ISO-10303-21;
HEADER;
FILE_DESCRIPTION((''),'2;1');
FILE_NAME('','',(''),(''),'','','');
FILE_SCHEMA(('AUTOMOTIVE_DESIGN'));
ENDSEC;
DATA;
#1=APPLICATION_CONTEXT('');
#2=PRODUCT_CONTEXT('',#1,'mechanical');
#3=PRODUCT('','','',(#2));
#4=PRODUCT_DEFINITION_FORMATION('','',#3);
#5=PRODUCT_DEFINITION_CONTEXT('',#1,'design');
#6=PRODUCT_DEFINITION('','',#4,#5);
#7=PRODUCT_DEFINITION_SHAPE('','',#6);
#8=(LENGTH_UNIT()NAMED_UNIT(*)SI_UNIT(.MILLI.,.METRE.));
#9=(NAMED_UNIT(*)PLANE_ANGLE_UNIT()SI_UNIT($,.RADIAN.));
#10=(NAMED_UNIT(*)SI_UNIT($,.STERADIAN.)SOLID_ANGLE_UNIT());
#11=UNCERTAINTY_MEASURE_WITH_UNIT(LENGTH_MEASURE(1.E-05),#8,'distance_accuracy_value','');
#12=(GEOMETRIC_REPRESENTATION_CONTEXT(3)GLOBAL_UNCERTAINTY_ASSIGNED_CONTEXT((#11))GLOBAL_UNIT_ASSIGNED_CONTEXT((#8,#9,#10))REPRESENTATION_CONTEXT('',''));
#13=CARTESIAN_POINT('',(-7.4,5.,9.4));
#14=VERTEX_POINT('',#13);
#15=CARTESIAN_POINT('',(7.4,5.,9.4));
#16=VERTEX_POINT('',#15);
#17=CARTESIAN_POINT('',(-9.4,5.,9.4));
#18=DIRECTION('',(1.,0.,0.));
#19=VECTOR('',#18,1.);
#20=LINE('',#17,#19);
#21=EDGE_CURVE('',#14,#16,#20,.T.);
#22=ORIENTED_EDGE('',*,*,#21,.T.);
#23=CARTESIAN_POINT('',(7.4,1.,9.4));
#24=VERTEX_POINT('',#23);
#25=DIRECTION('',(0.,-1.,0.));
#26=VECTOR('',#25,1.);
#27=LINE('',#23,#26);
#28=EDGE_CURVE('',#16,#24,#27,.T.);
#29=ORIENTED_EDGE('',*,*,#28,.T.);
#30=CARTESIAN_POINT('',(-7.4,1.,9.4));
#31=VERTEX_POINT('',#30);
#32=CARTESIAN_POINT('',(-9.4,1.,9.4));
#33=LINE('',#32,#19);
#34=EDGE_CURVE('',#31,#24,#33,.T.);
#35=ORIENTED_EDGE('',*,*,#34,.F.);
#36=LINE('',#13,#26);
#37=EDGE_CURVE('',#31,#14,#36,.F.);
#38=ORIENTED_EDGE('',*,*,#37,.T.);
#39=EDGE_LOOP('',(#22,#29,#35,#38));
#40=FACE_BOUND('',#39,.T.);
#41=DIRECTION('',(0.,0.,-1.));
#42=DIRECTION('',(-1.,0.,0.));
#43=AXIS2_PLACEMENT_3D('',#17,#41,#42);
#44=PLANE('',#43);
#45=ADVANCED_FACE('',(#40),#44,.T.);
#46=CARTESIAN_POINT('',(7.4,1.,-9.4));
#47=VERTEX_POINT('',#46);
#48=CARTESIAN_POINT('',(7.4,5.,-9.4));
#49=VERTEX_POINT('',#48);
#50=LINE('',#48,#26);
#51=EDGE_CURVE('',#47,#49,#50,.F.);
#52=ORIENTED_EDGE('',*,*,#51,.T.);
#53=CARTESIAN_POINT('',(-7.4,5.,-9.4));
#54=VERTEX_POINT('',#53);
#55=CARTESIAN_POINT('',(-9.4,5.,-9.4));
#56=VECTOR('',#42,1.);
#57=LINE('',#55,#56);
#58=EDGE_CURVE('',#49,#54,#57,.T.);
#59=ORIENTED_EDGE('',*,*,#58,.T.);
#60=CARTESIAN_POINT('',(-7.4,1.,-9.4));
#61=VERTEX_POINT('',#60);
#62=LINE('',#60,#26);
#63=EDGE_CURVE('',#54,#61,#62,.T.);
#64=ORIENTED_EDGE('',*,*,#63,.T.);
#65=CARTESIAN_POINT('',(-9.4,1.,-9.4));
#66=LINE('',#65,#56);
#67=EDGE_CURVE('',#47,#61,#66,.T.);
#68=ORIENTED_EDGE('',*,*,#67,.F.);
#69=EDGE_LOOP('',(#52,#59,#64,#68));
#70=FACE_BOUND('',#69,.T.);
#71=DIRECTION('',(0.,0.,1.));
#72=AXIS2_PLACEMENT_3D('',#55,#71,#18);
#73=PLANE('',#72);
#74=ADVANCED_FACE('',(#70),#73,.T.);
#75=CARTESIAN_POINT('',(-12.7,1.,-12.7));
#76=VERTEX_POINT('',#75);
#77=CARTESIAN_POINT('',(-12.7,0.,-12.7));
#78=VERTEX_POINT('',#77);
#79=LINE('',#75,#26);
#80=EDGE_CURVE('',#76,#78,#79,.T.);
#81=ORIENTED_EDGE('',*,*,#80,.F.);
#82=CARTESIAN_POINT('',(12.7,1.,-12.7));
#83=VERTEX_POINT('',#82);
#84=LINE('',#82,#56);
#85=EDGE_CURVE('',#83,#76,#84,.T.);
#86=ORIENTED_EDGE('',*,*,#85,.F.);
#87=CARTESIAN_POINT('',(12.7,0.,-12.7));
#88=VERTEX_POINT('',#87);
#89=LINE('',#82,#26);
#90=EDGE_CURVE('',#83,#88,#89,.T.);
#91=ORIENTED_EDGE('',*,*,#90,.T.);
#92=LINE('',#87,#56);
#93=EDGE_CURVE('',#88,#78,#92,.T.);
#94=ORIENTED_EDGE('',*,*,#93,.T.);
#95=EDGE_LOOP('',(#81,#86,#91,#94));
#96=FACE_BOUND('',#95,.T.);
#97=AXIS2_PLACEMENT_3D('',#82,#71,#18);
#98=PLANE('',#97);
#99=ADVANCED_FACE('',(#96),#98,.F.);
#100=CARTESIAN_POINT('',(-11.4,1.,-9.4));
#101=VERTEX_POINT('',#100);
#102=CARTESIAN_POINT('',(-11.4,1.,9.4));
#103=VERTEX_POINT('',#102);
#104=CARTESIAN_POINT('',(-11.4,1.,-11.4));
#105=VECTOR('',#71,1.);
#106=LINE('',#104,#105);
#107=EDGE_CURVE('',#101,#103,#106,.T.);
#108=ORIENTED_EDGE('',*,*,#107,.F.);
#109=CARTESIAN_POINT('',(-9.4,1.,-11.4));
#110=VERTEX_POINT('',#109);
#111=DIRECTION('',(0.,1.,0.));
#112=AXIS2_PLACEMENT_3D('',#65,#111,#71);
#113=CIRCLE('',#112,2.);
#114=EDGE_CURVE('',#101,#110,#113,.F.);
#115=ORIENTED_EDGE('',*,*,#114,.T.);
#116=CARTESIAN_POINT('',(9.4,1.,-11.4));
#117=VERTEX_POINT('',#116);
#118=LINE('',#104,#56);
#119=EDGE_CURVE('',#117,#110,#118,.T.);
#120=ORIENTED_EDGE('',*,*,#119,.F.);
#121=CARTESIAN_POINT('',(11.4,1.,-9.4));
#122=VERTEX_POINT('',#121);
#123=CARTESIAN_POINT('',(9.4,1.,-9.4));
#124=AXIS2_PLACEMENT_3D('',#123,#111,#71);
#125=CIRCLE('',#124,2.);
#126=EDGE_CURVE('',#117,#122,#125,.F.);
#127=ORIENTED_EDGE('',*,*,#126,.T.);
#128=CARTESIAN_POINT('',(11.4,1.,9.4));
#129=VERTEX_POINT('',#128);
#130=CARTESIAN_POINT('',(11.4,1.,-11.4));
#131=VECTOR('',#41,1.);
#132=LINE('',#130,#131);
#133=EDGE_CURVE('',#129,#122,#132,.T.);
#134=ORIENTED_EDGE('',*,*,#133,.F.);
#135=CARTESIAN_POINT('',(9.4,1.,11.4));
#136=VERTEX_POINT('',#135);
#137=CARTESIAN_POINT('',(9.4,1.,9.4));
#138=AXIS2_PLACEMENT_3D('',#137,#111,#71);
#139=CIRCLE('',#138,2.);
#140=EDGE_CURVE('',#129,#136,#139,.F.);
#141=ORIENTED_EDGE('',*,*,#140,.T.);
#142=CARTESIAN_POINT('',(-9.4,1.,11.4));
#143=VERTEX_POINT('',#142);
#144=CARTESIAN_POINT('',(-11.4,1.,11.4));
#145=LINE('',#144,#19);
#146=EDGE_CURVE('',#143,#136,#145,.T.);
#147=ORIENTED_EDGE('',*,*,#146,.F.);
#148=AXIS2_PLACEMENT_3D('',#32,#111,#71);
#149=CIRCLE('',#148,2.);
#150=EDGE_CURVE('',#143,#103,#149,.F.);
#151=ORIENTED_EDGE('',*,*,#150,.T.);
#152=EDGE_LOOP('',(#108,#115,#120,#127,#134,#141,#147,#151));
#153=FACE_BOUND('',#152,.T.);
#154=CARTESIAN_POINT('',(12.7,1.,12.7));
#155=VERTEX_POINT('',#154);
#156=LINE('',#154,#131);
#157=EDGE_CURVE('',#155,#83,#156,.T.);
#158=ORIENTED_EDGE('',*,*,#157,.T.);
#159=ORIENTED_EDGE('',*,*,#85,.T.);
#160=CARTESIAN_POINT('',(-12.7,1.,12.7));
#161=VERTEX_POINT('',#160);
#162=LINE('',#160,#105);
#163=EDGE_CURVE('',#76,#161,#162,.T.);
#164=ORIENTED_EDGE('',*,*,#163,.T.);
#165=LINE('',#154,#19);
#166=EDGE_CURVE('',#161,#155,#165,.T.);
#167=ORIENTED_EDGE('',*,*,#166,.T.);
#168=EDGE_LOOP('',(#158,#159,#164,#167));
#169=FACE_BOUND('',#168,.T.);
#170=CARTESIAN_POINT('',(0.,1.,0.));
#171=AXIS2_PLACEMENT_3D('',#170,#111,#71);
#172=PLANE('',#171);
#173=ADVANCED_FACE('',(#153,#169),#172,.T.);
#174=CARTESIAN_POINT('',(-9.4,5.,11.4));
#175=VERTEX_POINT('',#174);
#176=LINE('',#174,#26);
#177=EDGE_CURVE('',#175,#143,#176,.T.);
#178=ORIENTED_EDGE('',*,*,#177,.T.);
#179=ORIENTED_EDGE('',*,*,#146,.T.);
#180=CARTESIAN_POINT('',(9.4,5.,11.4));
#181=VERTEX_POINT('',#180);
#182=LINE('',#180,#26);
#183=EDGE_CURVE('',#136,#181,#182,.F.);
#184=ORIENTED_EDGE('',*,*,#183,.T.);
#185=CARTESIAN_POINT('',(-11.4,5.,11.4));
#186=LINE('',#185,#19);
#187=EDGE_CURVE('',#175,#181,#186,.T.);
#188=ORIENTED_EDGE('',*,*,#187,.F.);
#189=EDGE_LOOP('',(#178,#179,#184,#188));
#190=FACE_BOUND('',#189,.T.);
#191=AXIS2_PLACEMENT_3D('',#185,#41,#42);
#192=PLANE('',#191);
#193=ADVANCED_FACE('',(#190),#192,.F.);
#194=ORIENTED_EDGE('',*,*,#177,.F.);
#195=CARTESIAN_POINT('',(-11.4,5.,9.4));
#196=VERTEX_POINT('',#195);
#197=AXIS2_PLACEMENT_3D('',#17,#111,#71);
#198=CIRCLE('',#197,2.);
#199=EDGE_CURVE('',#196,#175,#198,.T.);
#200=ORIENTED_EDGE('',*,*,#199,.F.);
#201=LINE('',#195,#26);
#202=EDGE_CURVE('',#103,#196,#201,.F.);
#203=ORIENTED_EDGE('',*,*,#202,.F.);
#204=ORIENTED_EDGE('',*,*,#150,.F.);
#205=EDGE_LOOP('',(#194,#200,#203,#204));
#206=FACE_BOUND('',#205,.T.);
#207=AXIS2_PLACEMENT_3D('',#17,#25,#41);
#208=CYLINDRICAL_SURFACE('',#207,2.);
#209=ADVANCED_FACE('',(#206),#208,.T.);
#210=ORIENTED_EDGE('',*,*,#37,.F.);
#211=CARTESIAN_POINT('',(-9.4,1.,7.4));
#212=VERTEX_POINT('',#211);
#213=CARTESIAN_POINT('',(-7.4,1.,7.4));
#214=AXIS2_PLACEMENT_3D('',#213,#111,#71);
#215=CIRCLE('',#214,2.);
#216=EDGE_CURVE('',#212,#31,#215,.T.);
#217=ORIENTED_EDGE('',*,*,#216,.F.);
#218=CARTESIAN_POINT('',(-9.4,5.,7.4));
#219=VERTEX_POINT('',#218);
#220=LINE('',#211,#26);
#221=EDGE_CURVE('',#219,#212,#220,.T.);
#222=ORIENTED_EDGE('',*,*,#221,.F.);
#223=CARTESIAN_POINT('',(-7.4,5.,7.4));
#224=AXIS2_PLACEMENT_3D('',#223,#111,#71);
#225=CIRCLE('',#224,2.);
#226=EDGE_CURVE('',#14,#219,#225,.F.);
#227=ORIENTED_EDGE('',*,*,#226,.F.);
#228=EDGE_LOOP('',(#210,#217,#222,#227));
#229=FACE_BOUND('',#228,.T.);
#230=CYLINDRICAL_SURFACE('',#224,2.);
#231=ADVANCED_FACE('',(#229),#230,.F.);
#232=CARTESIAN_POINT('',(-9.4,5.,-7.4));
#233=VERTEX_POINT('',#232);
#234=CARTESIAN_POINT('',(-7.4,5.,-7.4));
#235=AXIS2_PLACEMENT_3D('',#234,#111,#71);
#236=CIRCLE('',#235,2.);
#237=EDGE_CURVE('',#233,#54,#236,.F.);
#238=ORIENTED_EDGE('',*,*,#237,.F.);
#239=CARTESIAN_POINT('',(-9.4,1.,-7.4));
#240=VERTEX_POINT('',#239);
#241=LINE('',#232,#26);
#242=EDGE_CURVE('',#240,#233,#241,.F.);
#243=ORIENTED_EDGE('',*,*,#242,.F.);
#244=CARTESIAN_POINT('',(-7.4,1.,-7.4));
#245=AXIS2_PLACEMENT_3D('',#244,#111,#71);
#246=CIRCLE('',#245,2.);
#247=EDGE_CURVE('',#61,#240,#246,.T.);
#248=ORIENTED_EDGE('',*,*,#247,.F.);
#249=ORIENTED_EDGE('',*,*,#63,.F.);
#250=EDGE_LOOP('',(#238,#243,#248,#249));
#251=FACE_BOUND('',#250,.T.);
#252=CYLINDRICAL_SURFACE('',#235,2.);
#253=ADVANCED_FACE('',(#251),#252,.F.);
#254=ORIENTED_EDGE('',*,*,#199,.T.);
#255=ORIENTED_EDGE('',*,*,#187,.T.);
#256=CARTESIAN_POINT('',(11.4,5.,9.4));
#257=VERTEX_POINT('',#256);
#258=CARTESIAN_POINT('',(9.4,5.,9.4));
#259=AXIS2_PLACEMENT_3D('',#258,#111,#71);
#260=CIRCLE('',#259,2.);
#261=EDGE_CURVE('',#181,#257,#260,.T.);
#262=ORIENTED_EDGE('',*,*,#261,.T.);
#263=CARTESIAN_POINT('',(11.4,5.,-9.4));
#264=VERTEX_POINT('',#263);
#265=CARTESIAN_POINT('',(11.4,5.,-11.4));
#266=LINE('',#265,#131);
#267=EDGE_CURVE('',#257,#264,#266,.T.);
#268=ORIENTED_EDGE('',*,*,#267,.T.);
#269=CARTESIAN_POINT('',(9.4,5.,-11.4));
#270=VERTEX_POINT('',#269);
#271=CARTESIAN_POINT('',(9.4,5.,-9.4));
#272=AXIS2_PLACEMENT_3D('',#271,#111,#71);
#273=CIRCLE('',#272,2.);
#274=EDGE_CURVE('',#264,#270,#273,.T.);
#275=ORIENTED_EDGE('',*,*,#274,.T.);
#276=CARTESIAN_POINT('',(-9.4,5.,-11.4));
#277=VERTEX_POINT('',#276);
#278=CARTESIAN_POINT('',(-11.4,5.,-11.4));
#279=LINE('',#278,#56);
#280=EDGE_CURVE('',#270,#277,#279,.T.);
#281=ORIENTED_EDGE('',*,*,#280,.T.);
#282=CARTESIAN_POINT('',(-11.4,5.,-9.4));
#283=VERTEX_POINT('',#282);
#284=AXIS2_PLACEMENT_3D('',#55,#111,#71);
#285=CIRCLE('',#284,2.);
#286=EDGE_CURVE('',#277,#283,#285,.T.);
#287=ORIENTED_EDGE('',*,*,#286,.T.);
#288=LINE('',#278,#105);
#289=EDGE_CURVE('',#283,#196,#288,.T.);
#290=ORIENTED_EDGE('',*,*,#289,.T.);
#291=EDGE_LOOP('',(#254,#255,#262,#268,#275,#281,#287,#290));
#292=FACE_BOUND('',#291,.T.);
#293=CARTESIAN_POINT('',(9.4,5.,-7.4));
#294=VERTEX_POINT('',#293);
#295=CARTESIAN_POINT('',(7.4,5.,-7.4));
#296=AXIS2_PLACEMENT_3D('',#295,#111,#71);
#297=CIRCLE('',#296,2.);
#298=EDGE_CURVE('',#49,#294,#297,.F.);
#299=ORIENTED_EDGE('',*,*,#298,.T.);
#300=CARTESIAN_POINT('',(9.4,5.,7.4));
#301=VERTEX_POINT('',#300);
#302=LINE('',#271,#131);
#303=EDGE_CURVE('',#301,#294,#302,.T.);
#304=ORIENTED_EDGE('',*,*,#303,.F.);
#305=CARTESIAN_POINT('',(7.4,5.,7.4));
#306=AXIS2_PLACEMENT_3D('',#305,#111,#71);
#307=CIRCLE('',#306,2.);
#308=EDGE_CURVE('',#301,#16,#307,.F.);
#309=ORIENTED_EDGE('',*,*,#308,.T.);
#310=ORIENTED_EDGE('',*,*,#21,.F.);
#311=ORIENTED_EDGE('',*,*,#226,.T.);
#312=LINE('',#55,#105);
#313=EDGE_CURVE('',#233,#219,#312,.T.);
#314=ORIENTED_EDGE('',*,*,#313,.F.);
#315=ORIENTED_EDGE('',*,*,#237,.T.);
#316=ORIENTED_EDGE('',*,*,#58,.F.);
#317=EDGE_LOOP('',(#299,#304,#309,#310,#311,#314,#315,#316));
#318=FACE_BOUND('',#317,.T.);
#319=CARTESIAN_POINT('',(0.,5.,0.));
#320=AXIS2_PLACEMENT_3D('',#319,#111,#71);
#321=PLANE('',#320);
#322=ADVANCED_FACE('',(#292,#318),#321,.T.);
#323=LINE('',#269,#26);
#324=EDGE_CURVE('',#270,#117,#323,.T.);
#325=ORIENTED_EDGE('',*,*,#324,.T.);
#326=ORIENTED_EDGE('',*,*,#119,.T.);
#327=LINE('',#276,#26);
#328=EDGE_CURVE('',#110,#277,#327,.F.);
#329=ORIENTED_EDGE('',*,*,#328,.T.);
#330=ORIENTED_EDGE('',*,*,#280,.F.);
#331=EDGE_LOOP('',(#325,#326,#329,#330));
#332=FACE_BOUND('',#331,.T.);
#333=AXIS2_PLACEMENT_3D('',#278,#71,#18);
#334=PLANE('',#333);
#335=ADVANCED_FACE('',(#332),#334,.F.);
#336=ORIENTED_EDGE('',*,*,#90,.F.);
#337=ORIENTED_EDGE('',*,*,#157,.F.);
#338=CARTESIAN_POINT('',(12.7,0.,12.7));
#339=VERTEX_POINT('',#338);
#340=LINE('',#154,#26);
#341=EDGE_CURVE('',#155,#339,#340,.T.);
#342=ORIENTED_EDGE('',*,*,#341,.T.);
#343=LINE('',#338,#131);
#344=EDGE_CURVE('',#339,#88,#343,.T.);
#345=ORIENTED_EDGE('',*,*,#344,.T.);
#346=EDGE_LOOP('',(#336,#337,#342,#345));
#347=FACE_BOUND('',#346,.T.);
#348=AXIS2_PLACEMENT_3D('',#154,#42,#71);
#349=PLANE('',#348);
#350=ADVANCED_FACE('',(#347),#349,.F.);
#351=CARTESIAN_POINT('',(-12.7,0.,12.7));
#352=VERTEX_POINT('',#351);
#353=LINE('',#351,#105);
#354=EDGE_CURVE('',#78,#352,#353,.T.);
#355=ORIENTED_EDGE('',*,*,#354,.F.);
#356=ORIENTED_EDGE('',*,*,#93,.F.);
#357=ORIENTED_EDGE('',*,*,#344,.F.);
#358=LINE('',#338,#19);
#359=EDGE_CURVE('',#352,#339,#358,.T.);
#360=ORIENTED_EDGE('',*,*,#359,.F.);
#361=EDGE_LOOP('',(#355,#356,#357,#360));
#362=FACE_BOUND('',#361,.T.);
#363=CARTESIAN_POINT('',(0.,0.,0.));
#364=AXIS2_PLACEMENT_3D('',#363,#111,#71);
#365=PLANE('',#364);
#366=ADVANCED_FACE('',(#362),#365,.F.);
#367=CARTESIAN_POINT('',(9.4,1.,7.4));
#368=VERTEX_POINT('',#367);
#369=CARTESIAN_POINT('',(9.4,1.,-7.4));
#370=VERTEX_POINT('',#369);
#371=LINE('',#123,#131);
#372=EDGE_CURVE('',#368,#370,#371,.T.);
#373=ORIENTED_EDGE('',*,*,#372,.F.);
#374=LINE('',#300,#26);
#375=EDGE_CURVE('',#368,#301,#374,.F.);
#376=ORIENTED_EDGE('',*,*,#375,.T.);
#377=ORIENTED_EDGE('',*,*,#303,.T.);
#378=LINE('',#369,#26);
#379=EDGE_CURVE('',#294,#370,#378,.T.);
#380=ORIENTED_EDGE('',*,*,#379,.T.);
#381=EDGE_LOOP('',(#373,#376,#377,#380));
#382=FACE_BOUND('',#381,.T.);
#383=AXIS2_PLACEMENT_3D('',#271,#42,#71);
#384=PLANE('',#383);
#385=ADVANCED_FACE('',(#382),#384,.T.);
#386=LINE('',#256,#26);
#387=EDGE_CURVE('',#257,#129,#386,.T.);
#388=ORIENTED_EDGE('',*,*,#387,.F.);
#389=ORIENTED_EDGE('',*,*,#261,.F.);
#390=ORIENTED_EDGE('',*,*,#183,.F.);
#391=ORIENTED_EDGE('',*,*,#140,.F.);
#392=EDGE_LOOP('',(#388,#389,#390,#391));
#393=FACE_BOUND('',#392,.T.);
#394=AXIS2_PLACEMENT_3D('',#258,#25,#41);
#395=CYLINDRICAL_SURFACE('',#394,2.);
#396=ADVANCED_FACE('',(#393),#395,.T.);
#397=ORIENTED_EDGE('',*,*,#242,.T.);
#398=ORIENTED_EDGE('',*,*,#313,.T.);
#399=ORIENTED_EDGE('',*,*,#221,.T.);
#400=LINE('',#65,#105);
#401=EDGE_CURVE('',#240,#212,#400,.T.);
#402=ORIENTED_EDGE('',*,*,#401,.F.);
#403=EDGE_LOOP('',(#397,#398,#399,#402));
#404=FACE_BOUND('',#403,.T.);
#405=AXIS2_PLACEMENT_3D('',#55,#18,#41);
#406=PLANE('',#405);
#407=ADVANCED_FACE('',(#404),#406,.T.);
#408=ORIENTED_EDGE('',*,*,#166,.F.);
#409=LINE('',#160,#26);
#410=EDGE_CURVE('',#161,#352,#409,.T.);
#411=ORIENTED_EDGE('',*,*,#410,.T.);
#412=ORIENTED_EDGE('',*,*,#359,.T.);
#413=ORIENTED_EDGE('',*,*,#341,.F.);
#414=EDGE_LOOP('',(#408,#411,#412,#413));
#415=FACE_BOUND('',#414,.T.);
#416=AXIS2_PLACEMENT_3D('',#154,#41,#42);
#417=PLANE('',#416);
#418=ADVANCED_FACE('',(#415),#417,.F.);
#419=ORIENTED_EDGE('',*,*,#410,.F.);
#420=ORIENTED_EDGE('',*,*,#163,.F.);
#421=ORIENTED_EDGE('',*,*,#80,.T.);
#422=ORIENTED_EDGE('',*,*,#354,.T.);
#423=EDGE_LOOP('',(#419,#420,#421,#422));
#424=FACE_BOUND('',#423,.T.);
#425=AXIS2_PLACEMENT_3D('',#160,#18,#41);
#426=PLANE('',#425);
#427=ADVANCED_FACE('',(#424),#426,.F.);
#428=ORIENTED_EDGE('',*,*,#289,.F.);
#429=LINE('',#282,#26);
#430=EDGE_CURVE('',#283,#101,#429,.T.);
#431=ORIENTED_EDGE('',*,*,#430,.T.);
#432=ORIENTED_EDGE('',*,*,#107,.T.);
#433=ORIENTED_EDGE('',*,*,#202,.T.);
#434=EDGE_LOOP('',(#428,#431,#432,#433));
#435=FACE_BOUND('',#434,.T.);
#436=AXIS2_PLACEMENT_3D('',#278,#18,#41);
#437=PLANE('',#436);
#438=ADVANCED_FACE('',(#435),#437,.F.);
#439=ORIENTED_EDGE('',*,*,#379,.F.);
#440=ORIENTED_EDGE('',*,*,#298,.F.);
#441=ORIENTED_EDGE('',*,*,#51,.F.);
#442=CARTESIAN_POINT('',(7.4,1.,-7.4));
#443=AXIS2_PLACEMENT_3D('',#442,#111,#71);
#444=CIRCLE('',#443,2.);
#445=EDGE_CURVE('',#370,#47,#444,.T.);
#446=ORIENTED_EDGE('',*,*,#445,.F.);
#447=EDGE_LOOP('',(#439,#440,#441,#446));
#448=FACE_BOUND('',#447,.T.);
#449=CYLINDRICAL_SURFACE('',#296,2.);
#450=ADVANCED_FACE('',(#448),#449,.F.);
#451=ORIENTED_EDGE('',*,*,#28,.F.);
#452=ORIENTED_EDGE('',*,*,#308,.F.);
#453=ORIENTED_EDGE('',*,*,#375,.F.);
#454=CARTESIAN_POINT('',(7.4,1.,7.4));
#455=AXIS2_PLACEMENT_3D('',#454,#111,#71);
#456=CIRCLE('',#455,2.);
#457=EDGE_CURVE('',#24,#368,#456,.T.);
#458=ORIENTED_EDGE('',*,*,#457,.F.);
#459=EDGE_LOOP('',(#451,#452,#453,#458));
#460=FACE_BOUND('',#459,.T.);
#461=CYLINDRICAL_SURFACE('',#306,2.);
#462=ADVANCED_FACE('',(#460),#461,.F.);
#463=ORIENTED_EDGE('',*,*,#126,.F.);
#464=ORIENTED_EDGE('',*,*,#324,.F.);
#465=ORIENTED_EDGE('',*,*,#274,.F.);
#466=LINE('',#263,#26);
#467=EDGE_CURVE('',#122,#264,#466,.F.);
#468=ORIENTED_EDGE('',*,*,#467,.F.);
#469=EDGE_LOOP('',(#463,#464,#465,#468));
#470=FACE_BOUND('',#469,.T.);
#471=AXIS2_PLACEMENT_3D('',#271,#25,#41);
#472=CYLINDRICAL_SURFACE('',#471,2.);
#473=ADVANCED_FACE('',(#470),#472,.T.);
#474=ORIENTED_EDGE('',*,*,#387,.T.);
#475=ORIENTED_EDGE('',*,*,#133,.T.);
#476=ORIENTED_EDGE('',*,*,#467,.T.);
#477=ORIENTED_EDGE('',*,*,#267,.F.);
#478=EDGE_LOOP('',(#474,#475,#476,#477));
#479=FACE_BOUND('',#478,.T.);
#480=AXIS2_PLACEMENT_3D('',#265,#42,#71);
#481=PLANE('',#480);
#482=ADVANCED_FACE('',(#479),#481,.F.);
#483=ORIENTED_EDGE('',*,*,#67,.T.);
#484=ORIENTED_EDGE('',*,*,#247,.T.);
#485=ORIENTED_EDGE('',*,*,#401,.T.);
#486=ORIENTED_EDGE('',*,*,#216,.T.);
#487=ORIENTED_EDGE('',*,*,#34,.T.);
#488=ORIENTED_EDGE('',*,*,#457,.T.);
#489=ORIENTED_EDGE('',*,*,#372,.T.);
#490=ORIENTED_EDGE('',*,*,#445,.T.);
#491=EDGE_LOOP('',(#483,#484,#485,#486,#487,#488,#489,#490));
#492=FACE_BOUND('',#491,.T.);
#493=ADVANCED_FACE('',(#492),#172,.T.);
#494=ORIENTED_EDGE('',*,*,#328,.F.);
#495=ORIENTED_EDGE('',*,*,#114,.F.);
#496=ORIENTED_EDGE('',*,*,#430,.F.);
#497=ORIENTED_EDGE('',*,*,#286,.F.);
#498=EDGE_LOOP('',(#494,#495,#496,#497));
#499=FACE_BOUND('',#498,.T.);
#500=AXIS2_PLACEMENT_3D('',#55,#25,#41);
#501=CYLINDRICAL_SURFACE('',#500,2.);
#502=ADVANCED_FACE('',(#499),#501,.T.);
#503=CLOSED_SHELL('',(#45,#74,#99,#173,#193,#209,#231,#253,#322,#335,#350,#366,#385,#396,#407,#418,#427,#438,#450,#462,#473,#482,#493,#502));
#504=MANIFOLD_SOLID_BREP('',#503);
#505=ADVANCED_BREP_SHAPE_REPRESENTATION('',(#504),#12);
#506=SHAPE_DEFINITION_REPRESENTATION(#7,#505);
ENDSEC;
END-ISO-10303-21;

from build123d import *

# Parameters (mm, degrees)
SKETCH1_W           = 25.4
SKETCH1_H           = 25.4
BOSS_EXTRUDE1_DEPTH = 1
SKETCH2_W           = 22.8
SKETCH2_H           = 22.8
SKETCH2_W_2         = 18.8
SKETCH2_H_2         = 18.8
BOSS_EXTRUDE2_DEPTH = 4
FILLET1_R           = 2


with BuildPart() as part:
    # Sketch1 → Boss-Extrude1 (new body)
    with BuildSketch(Plane(origin=(0, 0, 0), x_dir=(1, 0, 0), z_dir=(0, 1, 0))):
        Rectangle(SKETCH1_W, SKETCH1_H)
    extrude(amount=BOSS_EXTRUDE1_DEPTH)

    # Sketch2 → Boss-Extrude2 (add)
    with BuildSketch(Plane(origin=(0, 1, 0), x_dir=(1, 0, 0), z_dir=(0, 1, 0))):
        Rectangle(SKETCH2_W, SKETCH2_H)
        Rectangle(SKETCH2_W_2, SKETCH2_H_2, mode=Mode.SUBTRACT)
    extrude(amount=BOSS_EXTRUDE2_DEPTH)

    # Fillet1
    fillet1_edges = [part.edges().sort_by_distance(p)[0] for p in [
        (11.4, 3, 11.4),
        (11.4, 3, -11.4),
        (-11.4, 3, -11.4),
        (-11.4, 3, 11.4),
        (-9.4, 3, -9.4),
        (-9.4, 3, 9.4),
        (9.4, 3, 9.4),
        (9.4, 3, -9.4),
    ]]
    fillet(fillet1_edges, radius=FILLET1_R)


solid = part.part
